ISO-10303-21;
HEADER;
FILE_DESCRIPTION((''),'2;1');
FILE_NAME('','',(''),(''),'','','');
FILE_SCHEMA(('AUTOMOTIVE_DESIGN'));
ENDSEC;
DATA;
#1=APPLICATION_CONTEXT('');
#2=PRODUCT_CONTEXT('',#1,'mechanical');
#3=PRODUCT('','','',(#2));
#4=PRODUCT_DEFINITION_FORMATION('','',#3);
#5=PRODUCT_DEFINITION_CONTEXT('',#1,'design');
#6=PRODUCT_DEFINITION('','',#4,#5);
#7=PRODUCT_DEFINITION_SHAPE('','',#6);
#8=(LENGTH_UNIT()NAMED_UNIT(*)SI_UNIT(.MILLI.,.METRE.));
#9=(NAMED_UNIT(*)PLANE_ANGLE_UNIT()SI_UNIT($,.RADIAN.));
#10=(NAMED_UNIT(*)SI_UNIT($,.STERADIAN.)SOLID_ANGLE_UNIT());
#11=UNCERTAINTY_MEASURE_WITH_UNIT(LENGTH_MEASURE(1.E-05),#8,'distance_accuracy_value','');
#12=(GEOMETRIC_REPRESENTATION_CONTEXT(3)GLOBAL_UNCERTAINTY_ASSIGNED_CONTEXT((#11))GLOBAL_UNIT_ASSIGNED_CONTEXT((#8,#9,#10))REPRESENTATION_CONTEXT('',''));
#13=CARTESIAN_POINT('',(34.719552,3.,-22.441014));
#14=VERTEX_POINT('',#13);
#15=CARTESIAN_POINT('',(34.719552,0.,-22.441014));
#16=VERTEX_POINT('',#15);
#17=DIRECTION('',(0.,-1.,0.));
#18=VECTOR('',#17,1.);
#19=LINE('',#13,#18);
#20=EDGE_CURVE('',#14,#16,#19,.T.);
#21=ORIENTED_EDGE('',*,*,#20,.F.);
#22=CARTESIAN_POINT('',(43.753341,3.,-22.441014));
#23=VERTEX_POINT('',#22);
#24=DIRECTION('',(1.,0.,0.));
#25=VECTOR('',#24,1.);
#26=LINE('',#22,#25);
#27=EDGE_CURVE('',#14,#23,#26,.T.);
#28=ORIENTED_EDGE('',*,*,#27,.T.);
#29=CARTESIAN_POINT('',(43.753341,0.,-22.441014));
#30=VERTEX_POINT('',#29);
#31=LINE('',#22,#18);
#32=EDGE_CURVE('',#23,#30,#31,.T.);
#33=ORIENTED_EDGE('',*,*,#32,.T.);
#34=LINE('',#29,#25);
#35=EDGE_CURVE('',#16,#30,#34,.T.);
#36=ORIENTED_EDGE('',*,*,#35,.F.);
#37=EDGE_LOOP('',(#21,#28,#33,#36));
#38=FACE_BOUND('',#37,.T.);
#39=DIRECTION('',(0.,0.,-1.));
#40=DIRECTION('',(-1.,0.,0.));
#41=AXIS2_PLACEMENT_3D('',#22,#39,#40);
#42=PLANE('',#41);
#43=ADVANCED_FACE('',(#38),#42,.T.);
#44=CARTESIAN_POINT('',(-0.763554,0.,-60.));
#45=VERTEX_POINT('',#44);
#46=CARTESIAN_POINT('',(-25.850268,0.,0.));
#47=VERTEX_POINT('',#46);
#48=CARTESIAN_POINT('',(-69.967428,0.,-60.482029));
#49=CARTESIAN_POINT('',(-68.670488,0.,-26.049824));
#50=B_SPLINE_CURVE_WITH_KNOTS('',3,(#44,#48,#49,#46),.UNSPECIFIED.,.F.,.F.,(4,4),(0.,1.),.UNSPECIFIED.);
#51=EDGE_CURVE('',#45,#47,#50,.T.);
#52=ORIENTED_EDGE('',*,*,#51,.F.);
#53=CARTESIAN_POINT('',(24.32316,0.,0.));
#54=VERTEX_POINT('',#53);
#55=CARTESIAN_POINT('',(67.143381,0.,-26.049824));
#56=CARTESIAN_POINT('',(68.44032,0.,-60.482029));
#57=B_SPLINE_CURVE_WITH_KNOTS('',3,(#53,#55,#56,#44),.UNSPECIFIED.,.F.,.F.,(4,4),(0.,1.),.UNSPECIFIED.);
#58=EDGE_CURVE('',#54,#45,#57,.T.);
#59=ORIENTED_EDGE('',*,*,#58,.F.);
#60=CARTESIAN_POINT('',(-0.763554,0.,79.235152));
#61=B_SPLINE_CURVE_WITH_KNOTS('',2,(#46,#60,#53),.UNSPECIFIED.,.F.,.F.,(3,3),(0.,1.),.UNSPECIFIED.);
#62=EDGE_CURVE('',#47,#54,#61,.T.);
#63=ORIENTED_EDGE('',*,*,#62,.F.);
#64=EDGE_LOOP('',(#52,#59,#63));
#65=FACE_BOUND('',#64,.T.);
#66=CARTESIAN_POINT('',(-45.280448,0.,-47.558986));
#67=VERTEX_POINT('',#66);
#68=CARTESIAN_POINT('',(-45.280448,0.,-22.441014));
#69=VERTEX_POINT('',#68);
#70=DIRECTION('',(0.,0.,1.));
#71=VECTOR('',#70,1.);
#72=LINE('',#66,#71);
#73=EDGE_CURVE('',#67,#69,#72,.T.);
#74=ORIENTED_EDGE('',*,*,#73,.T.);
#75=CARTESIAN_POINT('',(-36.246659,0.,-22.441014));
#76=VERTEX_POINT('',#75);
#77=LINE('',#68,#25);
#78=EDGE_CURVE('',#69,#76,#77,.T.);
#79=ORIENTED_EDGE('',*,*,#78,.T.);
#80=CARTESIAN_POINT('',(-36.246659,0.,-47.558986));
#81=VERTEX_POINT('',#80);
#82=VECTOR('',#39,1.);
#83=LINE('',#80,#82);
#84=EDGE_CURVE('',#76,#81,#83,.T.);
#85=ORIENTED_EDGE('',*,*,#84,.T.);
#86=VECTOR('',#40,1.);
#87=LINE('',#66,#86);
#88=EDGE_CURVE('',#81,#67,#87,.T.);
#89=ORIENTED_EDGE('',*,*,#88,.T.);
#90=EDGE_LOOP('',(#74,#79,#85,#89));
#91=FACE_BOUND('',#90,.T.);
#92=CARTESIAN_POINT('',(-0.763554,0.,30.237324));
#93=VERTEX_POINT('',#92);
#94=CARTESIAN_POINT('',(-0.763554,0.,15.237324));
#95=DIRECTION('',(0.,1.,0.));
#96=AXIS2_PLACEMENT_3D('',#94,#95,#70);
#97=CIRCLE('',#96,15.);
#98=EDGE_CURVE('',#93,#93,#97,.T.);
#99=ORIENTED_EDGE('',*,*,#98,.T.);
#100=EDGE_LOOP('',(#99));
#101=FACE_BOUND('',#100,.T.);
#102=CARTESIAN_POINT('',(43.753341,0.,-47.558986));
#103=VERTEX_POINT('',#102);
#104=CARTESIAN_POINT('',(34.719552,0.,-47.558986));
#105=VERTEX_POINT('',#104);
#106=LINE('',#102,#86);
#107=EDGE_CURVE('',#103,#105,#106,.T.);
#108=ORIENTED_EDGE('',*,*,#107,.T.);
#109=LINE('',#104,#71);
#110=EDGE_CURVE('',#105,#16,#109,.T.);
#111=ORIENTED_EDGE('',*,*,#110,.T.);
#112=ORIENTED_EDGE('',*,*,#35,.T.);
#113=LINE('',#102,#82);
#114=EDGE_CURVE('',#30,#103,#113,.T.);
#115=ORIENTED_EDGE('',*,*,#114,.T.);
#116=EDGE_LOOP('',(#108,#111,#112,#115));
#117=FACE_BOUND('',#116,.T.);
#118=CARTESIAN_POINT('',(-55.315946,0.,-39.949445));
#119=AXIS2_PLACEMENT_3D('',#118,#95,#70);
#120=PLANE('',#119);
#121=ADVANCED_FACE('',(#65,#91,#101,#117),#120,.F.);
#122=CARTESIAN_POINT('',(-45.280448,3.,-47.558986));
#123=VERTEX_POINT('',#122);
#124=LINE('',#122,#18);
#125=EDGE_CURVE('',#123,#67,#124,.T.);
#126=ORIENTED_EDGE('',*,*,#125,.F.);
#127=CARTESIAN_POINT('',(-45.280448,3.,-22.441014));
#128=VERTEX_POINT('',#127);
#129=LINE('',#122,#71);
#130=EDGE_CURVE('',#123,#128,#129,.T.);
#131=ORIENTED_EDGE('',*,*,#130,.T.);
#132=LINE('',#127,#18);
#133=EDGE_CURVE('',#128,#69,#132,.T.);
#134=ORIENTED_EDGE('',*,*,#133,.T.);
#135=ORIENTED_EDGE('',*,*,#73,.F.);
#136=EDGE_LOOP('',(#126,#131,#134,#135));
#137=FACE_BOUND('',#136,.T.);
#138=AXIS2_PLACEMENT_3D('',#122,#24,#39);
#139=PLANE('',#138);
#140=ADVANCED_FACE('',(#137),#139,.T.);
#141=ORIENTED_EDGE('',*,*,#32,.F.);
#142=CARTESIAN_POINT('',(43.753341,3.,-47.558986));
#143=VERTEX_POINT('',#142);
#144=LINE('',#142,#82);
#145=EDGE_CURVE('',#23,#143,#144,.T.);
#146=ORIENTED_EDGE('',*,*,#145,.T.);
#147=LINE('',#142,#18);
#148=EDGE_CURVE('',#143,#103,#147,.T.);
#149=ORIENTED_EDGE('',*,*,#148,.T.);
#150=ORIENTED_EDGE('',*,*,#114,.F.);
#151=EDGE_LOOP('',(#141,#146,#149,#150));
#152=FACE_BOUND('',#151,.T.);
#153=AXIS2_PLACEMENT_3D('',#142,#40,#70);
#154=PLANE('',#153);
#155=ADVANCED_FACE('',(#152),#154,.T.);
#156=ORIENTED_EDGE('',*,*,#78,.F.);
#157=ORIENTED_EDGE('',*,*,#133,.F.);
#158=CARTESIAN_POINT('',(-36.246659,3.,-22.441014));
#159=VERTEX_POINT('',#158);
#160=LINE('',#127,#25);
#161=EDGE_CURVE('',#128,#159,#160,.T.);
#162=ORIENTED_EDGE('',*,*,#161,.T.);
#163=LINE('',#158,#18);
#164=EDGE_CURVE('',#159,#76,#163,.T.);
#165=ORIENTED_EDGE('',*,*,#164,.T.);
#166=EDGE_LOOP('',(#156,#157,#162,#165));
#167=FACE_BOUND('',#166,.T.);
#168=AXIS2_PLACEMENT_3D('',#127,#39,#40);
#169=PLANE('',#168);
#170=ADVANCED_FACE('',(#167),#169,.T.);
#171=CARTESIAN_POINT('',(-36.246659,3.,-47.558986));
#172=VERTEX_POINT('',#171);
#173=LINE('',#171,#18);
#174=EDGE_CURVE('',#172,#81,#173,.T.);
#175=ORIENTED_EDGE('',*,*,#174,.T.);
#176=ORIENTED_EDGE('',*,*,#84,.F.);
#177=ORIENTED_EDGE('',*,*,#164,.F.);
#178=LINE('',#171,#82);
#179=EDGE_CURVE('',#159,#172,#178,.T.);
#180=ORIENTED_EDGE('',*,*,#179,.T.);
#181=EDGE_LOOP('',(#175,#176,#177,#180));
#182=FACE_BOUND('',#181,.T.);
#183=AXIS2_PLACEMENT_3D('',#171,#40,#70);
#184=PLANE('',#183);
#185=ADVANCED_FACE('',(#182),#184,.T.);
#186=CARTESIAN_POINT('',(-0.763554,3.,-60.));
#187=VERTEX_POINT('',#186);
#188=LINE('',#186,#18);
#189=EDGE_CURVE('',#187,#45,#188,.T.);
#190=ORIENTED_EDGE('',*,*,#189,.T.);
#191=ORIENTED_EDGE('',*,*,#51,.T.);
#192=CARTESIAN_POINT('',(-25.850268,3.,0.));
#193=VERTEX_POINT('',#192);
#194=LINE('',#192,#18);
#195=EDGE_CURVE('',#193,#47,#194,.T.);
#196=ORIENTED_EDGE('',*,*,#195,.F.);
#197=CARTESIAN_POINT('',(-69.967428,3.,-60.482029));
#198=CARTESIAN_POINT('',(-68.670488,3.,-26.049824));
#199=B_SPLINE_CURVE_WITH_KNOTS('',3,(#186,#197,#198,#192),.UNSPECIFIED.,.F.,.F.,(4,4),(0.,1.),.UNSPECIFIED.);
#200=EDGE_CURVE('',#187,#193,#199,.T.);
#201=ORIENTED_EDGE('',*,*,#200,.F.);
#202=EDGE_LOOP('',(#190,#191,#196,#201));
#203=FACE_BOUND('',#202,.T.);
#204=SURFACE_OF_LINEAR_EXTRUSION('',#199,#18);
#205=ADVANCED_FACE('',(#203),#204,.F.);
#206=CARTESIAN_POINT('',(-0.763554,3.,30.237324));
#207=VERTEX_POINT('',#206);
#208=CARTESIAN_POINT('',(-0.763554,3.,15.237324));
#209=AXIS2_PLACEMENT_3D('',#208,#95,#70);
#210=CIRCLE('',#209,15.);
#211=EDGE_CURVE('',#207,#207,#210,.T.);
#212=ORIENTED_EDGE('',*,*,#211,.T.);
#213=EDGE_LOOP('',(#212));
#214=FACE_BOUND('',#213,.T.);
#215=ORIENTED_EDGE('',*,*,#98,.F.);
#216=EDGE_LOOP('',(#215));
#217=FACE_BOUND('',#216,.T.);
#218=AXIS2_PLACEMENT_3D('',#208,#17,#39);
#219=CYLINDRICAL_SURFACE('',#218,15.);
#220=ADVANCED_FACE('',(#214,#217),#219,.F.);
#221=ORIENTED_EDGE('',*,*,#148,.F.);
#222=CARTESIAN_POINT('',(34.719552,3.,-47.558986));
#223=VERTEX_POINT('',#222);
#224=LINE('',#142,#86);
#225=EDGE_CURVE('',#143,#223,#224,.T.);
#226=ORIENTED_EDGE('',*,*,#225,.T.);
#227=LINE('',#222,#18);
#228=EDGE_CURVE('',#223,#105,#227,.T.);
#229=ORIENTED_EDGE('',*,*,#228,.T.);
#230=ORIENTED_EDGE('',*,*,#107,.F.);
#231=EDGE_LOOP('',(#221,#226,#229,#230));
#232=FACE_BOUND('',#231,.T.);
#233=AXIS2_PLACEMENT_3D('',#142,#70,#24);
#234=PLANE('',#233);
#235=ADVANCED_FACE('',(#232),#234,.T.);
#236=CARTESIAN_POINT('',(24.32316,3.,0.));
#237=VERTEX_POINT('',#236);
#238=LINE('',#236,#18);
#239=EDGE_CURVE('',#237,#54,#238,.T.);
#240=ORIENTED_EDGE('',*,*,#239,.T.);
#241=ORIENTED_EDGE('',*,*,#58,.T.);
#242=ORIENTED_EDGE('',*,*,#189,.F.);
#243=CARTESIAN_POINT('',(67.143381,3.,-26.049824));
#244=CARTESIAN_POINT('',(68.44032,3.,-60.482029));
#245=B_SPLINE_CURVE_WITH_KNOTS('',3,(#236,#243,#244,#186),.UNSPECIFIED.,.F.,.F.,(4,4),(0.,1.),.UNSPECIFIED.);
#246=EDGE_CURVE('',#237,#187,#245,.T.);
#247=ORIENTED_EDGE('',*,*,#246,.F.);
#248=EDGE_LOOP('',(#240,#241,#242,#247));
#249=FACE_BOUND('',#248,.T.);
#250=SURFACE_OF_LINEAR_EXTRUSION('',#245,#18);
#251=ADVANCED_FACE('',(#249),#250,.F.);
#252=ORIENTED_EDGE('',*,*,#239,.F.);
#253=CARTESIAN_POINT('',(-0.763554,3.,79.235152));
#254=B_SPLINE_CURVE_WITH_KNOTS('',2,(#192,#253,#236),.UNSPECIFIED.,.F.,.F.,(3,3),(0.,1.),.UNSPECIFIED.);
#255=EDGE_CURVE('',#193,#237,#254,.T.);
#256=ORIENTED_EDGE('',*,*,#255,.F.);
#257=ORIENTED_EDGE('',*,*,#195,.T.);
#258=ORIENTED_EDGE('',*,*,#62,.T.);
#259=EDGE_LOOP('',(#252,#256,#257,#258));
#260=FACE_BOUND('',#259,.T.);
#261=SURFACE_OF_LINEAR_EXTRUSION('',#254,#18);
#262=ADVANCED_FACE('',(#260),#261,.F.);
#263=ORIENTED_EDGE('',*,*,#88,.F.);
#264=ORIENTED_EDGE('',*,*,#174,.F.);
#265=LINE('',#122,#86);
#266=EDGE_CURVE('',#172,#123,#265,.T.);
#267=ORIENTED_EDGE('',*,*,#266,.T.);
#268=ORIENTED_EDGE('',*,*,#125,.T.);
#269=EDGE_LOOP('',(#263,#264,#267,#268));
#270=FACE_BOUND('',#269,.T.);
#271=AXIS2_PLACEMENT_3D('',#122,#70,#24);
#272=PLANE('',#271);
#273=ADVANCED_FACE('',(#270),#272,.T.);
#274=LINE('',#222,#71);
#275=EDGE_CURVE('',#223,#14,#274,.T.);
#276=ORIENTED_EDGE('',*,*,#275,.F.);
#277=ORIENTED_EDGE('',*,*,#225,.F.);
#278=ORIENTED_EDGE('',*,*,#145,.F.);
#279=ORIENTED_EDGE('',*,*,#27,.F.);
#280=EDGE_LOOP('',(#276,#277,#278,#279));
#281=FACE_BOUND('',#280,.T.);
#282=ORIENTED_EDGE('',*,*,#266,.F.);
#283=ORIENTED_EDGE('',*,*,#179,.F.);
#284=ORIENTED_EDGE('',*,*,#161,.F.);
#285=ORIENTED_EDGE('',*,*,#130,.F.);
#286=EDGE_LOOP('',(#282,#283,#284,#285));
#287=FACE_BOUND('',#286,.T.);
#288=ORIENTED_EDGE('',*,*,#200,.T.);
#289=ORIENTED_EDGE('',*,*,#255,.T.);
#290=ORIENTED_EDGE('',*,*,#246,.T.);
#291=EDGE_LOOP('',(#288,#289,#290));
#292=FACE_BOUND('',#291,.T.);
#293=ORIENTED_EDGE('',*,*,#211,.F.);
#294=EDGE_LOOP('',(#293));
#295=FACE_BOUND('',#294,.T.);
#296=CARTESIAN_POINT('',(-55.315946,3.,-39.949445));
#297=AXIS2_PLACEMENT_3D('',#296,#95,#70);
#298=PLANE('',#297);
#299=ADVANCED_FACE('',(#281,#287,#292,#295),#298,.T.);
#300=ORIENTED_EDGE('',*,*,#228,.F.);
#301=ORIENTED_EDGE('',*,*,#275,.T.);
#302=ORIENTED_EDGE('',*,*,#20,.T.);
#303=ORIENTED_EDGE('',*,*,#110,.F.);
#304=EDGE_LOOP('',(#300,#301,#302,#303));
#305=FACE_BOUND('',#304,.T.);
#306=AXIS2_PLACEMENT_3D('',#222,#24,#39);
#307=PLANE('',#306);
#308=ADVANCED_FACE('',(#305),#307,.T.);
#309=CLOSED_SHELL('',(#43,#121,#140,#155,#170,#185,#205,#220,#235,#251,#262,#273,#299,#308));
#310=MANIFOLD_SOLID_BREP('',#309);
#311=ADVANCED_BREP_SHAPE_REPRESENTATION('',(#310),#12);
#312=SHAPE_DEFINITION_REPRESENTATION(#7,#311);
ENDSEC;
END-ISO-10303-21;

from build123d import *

# Parameters (mm, degrees)
SKETCH1_R           = 15
SKETCH1_W           = 9.033789511
SKETCH1_H           = 25.11797261
BOSS_EXTRUDE1_DEPTH = 3


with BuildPart() as part:
    # Sketch1 → Boss-Extrude1 (new body)
    with BuildSketch(Plane(origin=(0, 0, 0), x_dir=(1, 0, 0), z_dir=(0, 1, 0))):
        with BuildLine():
            add(Edge.make_bspline(
                [(-25.850267552, 0), (-0.763553632, -79.235152429), (24.323160288, 0)],
                knots=[0, 0, 0, 1, 1, 1], degree=2))
            add(Edge.make_bspline(
                [(24.323160288, 0), (67.143381198, 26.049823561), (68.440320284, 60.482028786), (-0.763553632, 60)],
                knots=[0, 0, 0, 0, 1, 1, 1, 1], degree=3))
            add(Edge.make_bspline(
                [(-25.850267552, 0), (-68.670488462, 26.049823561), (-69.967427548, 60.482028786), (-0.763553632, 60)],
                knots=[0, 0, 0, 0, 1, 1, 1, 1], degree=3))
        make_face()
        with Locations(Location((-0.763553632, -15.237324398, 0), (0, 0, 270))):
            Circle(SKETCH1_R, mode=Mode.SUBTRACT)
        with Locations((39.236446368, 35)):
            Rectangle(SKETCH1_W, SKETCH1_H, mode=Mode.SUBTRACT)
        with Locations((-40.763553633, 35)):
            Rectangle(SKETCH1_W, SKETCH1_H, mode=Mode.SUBTRACT)
    extrude(amount=BOSS_EXTRUDE1_DEPTH)


solid = part.part
